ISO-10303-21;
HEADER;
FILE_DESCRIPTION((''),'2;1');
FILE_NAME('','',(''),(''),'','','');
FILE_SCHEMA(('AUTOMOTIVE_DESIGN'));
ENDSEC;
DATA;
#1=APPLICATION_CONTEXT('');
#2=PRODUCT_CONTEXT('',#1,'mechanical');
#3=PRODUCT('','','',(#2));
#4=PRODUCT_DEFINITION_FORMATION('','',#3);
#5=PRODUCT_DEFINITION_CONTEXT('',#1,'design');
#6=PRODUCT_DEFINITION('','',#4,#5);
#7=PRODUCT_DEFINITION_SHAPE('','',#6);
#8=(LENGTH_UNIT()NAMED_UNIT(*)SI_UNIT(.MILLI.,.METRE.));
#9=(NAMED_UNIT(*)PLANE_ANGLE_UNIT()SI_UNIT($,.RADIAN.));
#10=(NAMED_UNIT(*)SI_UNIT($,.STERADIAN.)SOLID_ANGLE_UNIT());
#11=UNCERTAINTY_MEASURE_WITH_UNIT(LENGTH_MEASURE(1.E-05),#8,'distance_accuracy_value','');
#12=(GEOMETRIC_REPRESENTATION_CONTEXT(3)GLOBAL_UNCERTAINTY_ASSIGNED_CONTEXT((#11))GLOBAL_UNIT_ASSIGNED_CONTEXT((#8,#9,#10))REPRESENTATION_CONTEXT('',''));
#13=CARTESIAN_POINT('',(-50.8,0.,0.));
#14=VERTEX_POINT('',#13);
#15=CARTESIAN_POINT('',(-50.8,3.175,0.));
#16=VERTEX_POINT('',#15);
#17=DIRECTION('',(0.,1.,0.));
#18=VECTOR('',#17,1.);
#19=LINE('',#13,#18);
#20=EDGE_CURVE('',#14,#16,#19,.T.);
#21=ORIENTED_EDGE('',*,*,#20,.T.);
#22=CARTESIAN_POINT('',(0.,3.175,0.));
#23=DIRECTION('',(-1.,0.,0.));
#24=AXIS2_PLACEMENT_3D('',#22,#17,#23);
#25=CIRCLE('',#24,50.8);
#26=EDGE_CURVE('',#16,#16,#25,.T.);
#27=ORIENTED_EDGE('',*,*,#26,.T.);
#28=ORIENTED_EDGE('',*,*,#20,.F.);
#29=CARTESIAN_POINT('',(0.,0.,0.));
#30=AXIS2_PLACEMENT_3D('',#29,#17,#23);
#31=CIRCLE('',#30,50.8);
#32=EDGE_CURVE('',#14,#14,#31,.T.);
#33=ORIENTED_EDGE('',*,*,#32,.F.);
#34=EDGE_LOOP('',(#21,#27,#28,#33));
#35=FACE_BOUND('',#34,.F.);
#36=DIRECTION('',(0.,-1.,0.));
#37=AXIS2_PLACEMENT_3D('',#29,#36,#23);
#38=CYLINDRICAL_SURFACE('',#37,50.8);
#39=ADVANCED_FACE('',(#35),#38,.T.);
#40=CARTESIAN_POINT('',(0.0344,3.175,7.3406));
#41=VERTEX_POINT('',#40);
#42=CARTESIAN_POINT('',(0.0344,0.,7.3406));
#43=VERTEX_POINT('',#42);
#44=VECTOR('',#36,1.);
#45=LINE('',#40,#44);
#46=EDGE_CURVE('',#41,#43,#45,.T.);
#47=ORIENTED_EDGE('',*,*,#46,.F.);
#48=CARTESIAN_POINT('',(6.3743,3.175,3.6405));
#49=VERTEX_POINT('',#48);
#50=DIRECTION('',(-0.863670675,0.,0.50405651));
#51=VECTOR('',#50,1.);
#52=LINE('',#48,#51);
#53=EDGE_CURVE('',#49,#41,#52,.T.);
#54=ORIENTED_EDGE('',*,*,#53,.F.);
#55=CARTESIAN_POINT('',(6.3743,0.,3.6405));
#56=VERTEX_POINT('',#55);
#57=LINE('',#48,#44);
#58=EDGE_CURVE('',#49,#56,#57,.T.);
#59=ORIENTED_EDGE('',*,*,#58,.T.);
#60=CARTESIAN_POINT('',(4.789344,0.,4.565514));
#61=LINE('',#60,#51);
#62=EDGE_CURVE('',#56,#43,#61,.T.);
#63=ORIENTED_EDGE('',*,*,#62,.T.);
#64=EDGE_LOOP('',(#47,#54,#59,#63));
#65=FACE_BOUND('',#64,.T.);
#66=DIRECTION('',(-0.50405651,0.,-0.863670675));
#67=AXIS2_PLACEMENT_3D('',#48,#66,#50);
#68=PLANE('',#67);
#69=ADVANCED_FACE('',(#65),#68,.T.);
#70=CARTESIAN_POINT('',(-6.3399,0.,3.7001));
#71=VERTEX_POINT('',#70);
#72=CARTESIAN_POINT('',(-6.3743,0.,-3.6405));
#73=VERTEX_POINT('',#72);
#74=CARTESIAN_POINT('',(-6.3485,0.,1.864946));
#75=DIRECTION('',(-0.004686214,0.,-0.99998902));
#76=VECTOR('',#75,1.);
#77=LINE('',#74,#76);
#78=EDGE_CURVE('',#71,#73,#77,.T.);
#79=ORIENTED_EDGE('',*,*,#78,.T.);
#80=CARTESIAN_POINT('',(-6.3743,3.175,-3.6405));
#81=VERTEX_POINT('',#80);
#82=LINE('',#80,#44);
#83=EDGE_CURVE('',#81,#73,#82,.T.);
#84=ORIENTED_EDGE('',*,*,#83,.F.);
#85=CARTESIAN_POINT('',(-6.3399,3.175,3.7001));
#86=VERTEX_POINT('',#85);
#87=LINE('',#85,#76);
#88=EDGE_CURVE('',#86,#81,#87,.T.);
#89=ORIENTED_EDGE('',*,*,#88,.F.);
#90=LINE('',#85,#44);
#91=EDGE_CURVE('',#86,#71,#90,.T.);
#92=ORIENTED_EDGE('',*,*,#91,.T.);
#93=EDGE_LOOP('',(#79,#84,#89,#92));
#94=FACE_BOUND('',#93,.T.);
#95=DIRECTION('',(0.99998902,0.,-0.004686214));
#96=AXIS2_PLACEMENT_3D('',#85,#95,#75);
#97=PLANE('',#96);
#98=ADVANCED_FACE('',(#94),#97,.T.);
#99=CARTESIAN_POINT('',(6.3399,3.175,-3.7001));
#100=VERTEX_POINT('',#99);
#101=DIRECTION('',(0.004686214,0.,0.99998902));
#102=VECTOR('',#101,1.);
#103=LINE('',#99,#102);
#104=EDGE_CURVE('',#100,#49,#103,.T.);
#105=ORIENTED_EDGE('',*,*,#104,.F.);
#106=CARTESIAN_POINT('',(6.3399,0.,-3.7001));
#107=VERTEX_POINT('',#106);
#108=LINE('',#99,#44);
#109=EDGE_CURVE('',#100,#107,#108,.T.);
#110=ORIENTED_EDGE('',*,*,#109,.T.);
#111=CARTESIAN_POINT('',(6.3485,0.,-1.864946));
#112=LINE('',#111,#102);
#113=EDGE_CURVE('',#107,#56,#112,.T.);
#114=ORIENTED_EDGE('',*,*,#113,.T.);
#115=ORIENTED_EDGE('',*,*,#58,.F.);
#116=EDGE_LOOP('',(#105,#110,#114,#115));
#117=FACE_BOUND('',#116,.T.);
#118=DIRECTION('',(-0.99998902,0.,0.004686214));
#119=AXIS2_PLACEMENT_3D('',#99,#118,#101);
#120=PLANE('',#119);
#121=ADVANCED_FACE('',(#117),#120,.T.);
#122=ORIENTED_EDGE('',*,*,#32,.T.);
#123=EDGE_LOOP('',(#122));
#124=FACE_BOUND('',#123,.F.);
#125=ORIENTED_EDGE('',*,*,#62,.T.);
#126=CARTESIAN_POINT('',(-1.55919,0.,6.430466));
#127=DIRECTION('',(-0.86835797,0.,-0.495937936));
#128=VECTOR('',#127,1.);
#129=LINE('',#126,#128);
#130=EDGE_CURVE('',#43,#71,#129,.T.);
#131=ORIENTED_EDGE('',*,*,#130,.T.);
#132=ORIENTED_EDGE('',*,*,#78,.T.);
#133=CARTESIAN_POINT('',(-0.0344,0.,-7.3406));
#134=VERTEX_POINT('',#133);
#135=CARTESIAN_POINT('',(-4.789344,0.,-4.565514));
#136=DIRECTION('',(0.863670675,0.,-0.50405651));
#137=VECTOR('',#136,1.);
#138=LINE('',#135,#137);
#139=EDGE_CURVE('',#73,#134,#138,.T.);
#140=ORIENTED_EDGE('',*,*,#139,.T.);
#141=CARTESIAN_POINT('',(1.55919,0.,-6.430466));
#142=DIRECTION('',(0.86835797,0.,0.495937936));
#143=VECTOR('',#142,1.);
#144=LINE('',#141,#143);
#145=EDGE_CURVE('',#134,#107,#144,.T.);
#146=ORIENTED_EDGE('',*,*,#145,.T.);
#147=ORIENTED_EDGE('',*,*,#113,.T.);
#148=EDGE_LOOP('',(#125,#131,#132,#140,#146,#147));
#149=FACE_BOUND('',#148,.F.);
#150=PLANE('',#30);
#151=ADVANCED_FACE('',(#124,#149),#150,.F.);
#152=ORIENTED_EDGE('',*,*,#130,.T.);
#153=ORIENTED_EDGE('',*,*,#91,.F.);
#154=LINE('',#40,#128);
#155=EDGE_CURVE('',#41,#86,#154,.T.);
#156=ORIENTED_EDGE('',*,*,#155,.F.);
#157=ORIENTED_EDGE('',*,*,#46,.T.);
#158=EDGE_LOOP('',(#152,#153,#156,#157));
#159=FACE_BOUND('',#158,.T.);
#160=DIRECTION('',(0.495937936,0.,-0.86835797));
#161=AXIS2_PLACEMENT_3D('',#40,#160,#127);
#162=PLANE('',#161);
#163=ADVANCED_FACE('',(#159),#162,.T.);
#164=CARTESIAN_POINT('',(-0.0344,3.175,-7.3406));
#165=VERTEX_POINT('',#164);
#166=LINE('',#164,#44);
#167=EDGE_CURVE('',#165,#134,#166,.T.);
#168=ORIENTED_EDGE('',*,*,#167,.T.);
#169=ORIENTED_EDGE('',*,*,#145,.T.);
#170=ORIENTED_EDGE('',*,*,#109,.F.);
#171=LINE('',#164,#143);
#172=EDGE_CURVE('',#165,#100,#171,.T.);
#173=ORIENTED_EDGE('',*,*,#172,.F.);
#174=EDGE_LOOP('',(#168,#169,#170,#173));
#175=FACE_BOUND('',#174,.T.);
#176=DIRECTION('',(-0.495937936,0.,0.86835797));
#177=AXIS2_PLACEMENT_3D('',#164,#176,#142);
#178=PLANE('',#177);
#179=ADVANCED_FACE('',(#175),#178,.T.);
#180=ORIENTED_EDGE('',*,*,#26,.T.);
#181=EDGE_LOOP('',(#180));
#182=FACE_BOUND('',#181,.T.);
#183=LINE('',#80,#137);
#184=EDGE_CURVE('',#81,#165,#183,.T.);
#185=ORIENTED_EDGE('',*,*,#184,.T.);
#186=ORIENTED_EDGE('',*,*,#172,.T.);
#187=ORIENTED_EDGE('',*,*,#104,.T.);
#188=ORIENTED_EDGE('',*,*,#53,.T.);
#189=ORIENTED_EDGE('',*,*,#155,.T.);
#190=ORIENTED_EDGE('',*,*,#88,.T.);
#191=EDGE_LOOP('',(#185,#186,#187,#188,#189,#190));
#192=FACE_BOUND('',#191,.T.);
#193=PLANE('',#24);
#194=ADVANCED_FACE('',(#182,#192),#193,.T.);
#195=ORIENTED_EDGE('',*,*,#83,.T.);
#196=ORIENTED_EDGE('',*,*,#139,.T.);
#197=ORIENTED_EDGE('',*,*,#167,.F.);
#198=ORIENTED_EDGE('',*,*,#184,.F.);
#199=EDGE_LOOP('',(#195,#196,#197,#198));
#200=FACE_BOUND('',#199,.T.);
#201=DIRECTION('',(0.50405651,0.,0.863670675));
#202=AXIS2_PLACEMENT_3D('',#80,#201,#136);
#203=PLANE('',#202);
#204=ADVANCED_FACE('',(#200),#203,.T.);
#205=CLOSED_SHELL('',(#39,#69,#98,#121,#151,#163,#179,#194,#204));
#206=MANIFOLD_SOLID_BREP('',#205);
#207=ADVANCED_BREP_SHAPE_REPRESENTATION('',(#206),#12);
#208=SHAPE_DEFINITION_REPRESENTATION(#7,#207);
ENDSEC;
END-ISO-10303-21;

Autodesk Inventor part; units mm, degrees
ref_plane "YZ Plane" through (0, 0, 0) normal (1, 0, 0) x (0, 1, 0)
ref_plane "XZ Plane" through (0, 0, 0) normal (0, 1, 0) x (-1, 0, 0)
ref_plane "XY Plane" through (0, 0, 0) normal (0, 0, 1) x (1, 0, 0)
sketch "Sketch1" plane through (0, 0, 0) normal (0, 1, 0) x (-1, 0, 0)
  circle A0 centre (0, 0) radius 50.8
  dimension "d0" = 101.6
extrude "Extrusion1" add sketch "Sketch1" along normal blind 3.175
sketch "Sketch4" plane through (0, 3.175, 0) normal (0, 1, 0) x (1, 0, 0)
  line L0 (6.3399, 3.7001) -> (6.3743, -3.6405)
  line L1 (6.3743, -3.6405) -> (0.0344, -7.3406)
  line L2 (0.0344, -7.3406) -> (-6.3399, -3.7001)
  line L3 (-6.3399, -3.7001) -> (-6.3743, 3.6405)
  line L4 (-6.3743, 3.6405) -> (-0.0344, 7.3406)
  line L5 (-0.0344, 7.3406) -> (6.3399, 3.7001)
  point P0 (0, 0)
  point P1 (0, 0)
  dimension "d8" = 7.3406
  dimension "d9" = 0
  dimension "d10" = 0
extrude "Extrusion3" cut sketch "Sketch4" against normal blind 25.4
properties part number "4in Wheel Plate-ver1-1111-2019"
